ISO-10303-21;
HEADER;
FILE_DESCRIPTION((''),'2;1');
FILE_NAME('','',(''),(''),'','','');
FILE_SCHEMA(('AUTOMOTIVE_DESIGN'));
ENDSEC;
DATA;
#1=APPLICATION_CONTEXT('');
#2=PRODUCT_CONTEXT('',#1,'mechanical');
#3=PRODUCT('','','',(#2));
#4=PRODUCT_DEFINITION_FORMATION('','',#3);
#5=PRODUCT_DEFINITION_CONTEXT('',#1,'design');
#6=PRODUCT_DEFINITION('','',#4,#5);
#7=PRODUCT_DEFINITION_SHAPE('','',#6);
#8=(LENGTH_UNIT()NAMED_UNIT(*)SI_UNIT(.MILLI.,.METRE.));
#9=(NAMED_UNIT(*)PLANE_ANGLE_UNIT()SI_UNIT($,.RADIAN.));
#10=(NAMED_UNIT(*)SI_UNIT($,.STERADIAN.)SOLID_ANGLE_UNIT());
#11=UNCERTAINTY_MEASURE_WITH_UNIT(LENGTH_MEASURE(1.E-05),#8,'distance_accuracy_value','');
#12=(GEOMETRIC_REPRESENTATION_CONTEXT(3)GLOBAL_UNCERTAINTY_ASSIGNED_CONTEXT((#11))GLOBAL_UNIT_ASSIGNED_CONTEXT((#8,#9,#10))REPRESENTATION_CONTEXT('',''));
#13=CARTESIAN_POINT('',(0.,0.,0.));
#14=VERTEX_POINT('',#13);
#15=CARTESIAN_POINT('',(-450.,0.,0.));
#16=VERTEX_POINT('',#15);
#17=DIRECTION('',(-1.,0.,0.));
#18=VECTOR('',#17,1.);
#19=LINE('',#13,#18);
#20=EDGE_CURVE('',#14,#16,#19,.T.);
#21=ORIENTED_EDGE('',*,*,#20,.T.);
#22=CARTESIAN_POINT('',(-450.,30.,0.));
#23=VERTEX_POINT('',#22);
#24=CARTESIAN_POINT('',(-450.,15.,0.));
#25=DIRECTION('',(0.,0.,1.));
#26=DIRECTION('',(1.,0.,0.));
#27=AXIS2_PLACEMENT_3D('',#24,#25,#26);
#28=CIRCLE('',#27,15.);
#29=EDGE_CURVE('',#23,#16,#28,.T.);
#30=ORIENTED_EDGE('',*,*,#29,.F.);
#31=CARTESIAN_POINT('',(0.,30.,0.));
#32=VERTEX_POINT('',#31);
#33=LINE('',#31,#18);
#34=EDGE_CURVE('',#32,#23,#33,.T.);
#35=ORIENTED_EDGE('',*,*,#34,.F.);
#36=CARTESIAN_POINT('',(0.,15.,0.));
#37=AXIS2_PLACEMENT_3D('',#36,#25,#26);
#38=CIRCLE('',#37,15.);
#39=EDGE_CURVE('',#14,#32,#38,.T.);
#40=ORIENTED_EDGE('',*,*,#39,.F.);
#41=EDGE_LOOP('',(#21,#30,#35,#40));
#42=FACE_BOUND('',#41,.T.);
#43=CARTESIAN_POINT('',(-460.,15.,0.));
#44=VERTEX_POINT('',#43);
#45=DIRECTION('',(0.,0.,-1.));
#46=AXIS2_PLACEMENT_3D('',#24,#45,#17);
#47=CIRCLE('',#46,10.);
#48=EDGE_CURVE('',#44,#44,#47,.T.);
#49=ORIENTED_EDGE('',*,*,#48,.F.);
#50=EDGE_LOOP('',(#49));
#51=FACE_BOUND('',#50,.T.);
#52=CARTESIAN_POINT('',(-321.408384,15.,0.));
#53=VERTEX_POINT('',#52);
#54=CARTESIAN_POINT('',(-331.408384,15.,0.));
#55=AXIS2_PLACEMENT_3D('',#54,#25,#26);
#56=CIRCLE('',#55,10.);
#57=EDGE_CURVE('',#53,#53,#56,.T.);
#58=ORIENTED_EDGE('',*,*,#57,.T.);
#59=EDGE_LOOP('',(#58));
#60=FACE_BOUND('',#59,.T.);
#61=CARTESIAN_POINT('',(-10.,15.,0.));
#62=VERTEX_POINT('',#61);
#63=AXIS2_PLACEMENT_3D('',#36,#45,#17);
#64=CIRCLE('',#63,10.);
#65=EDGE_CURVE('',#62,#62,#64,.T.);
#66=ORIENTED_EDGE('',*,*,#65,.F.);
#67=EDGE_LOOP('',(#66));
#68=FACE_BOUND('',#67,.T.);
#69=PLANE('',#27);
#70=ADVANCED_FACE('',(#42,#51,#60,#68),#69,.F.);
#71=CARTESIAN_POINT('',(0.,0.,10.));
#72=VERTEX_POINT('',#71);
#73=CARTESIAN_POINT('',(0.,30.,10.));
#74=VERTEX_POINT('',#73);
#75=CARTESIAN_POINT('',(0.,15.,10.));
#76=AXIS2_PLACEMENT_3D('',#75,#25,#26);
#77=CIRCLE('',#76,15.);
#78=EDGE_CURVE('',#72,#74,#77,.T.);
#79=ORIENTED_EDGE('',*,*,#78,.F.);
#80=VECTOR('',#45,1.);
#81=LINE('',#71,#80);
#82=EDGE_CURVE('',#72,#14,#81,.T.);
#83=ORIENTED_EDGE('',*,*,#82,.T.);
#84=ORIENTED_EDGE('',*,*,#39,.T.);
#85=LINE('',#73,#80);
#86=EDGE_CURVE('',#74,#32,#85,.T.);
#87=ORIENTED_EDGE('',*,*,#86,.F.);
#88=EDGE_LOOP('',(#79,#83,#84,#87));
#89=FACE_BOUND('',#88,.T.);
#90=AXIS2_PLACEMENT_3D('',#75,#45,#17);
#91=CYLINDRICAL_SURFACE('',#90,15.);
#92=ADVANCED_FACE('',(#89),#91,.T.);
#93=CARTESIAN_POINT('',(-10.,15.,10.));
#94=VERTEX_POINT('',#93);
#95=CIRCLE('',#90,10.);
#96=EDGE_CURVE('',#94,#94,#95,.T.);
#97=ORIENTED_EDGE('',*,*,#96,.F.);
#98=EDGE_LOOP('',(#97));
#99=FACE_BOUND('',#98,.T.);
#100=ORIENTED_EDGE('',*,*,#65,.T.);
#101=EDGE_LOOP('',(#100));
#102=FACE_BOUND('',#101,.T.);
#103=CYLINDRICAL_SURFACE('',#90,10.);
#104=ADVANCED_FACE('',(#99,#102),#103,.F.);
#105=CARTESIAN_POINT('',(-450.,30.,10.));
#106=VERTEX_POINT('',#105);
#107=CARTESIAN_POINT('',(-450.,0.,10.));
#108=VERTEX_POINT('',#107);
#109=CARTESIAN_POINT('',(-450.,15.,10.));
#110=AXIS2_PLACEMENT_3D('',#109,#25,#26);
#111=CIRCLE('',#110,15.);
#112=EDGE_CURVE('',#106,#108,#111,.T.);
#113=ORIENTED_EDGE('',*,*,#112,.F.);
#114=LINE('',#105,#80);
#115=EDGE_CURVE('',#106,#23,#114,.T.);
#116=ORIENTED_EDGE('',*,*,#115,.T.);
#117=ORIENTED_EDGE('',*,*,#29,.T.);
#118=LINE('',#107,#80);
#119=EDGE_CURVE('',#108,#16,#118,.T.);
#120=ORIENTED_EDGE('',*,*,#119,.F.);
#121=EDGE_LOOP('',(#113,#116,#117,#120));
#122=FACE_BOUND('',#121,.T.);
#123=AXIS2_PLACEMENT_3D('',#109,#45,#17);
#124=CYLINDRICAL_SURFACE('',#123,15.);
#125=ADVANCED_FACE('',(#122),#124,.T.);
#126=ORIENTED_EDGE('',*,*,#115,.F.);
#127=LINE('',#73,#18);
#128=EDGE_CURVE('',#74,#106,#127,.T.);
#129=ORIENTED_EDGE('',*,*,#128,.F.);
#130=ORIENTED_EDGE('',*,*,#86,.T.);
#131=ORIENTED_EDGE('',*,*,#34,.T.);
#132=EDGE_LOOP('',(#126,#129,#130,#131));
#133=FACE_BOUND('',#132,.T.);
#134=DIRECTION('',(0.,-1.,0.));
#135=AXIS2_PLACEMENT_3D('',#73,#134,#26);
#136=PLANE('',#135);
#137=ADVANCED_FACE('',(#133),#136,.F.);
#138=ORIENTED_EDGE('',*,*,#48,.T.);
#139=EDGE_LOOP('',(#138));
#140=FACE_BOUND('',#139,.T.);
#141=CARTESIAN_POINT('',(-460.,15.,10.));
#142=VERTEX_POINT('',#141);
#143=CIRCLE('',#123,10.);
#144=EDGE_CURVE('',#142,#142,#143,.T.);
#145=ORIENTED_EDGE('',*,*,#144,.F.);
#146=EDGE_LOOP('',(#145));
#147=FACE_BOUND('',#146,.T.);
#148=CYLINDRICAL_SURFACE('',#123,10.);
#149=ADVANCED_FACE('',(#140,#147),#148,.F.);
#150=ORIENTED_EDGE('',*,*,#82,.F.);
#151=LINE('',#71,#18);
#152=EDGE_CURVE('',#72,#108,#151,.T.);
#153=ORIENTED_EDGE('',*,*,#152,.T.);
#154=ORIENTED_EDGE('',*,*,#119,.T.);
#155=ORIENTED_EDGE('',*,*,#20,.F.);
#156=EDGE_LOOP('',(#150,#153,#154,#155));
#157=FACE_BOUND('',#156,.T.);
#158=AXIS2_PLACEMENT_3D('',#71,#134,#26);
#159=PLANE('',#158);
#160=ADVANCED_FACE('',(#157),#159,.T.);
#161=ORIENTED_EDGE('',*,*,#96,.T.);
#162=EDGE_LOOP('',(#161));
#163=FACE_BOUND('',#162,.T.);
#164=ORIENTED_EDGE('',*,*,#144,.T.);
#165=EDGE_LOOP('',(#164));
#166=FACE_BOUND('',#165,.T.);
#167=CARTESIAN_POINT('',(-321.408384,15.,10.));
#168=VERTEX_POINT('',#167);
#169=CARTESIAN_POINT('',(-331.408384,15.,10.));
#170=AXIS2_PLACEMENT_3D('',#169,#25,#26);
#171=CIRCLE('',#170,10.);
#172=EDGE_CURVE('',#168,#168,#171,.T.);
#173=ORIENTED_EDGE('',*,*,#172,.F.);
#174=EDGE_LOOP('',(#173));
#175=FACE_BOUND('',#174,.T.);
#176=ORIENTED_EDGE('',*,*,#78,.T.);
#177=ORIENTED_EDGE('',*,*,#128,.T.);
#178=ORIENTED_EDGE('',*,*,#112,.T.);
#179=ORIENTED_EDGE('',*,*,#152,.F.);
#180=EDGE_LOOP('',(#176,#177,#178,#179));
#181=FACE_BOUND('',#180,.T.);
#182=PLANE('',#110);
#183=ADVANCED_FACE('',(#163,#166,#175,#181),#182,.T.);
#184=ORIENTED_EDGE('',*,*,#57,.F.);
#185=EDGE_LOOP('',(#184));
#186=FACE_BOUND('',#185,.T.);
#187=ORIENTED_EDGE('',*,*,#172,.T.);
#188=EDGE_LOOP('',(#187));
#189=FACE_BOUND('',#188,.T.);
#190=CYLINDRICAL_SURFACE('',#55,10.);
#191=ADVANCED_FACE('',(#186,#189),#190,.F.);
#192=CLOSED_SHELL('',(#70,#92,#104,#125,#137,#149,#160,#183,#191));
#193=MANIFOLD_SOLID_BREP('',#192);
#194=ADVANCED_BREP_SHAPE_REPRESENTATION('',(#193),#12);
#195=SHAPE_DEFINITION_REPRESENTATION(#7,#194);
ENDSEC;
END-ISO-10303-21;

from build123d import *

# Parameters (mm, degrees)
EXTRUDE_2_DEPTH     = 10
SKETCH_2_R          = 10
CUT_EXTRUDE_1_DEPTH = 10
SKETCH_4_R          = 10
CUT_EXTRUDE_3_DEPTH = 10


with BuildPart() as part:
    # Эскиз1 → Бобышка-Вытянуть2 (new body)
    with BuildSketch(Plane.XY):
        with BuildLine():
            Line((0, 0), (-450, 0))
            ThreePointArc((-450, 0), (-465, 15), (-450, 30))
            Line((-450, 30), (0, 30))
            ThreePointArc((0, 30), (15, 15), (0, 0))
        make_face()
    extrude(amount=EXTRUDE_2_DEPTH)

    # Эскиз2 → Вырез-Вытянуть1 (cut)
    with BuildSketch(Plane(origin=(0, 0, 0), x_dir=(-1, 0, 0), z_dir=(0, 0, -1))):
        with Locations((0, 15)):
            Circle(SKETCH_2_R)
        with Locations((450, 15)):
            Circle(SKETCH_2_R)
    extrude(amount=-CUT_EXTRUDE_1_DEPTH, mode=Mode.SUBTRACT)

    # Эскиз4 → Вырез-Вытянуть3 (cut)
    with BuildSketch(Plane.XY.offset(10)):
        with Locations((-331.40838443, 15)):
            Circle(SKETCH_4_R)
    extrude(amount=-CUT_EXTRUDE_3_DEPTH, mode=Mode.SUBTRACT)


solid = part.part
